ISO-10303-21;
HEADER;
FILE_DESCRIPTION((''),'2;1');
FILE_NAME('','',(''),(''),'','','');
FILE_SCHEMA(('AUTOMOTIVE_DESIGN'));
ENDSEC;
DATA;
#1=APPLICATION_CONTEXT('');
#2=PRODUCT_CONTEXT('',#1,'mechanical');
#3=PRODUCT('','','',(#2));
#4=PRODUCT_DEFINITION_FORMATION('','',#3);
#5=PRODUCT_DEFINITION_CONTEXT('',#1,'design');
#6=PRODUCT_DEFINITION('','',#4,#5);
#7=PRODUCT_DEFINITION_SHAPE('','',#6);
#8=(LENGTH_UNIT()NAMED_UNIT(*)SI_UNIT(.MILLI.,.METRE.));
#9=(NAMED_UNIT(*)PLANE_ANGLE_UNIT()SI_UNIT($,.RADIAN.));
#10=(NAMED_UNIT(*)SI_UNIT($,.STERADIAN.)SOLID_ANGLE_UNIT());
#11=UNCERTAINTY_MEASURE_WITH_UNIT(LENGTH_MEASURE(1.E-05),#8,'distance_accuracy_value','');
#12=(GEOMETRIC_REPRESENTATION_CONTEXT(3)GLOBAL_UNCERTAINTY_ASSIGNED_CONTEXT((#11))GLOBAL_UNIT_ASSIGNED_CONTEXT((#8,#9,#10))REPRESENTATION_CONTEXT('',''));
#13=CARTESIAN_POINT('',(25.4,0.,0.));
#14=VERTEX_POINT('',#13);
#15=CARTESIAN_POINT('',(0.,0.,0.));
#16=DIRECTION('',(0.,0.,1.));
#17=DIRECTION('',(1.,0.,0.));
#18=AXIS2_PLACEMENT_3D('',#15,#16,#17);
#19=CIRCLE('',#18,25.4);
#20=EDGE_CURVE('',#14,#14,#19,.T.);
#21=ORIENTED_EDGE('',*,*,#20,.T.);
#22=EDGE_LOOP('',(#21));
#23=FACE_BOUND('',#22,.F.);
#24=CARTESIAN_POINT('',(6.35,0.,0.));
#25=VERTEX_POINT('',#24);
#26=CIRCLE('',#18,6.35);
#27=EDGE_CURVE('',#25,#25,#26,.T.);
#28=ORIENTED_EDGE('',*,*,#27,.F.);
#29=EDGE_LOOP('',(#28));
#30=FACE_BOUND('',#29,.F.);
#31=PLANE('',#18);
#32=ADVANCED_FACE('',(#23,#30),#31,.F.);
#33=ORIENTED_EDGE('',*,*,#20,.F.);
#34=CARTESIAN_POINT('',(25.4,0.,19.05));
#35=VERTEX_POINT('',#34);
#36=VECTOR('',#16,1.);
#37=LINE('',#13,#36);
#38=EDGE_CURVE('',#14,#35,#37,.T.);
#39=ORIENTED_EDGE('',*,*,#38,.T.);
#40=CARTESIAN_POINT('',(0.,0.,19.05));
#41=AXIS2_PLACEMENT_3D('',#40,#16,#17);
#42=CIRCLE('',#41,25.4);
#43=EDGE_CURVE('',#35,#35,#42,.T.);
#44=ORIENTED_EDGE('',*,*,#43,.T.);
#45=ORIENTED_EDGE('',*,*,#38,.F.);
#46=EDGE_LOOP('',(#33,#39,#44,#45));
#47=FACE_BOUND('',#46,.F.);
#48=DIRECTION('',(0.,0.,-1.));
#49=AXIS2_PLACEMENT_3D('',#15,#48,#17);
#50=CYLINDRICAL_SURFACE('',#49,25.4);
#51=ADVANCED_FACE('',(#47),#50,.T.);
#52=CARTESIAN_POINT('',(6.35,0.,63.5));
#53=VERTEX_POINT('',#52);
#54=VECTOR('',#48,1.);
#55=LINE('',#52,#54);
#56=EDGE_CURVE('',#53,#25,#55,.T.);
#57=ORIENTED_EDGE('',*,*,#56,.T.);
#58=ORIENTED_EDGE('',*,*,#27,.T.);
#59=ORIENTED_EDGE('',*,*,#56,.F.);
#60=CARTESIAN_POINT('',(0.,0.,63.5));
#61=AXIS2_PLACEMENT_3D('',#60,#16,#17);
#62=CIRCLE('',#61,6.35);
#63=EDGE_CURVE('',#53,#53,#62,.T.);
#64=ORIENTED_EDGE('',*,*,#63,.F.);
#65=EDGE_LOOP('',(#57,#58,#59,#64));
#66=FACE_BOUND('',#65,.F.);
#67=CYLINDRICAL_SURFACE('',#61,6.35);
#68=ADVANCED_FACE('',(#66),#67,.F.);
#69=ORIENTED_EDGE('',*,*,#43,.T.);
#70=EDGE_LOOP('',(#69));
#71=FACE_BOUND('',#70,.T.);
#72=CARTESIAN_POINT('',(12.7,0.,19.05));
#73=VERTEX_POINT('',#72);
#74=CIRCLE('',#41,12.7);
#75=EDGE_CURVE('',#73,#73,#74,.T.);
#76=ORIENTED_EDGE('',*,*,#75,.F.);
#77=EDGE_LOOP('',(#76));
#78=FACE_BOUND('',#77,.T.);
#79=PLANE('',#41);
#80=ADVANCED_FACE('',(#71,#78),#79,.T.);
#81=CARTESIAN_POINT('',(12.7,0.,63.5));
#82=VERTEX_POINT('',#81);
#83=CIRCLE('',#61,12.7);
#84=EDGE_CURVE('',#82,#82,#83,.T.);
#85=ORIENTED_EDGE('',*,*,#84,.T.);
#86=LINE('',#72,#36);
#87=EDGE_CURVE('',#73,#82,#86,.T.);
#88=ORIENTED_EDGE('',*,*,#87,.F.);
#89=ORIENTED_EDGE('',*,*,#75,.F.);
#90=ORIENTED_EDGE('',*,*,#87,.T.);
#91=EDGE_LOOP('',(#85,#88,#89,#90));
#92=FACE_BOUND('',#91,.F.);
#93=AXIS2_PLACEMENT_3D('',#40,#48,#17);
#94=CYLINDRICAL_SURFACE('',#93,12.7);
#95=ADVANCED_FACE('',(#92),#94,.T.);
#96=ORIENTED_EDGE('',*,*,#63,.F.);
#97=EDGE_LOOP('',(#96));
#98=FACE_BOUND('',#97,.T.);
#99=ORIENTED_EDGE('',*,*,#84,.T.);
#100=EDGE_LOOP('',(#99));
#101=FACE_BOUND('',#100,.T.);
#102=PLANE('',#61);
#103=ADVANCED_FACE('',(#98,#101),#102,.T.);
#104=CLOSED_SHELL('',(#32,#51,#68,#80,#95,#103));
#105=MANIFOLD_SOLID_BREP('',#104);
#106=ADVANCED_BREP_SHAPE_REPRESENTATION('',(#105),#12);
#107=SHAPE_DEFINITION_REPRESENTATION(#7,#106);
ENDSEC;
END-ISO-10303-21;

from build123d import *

# Parameters (mm, degrees)
F0_R     = 25.4
F1_DEPTH = 19.05
F2_R     = 12.7
F3_DEPTH = 44.45
F4_R     = 6.35
F5_DEPTH = 63.501


with BuildPart() as f1:
    # F0 (on Top) → F1 (new body)
    with BuildSketch(Plane.XY):
        Circle(F0_R)
    extrude(amount=F1_DEPTH)

    # F2 (on face) → F3 (join)
    with BuildSketch(Plane.XY.offset(19.05)):
        Circle(F2_R)
    extrude(amount=F3_DEPTH)

    # F4 (on face) → F5 (cut, through all)
    with BuildSketch(Plane.XY.offset(63.5)):
        Circle(F4_R)
    extrude(amount=-F5_DEPTH, mode=Mode.SUBTRACT)


solid = f1.part
